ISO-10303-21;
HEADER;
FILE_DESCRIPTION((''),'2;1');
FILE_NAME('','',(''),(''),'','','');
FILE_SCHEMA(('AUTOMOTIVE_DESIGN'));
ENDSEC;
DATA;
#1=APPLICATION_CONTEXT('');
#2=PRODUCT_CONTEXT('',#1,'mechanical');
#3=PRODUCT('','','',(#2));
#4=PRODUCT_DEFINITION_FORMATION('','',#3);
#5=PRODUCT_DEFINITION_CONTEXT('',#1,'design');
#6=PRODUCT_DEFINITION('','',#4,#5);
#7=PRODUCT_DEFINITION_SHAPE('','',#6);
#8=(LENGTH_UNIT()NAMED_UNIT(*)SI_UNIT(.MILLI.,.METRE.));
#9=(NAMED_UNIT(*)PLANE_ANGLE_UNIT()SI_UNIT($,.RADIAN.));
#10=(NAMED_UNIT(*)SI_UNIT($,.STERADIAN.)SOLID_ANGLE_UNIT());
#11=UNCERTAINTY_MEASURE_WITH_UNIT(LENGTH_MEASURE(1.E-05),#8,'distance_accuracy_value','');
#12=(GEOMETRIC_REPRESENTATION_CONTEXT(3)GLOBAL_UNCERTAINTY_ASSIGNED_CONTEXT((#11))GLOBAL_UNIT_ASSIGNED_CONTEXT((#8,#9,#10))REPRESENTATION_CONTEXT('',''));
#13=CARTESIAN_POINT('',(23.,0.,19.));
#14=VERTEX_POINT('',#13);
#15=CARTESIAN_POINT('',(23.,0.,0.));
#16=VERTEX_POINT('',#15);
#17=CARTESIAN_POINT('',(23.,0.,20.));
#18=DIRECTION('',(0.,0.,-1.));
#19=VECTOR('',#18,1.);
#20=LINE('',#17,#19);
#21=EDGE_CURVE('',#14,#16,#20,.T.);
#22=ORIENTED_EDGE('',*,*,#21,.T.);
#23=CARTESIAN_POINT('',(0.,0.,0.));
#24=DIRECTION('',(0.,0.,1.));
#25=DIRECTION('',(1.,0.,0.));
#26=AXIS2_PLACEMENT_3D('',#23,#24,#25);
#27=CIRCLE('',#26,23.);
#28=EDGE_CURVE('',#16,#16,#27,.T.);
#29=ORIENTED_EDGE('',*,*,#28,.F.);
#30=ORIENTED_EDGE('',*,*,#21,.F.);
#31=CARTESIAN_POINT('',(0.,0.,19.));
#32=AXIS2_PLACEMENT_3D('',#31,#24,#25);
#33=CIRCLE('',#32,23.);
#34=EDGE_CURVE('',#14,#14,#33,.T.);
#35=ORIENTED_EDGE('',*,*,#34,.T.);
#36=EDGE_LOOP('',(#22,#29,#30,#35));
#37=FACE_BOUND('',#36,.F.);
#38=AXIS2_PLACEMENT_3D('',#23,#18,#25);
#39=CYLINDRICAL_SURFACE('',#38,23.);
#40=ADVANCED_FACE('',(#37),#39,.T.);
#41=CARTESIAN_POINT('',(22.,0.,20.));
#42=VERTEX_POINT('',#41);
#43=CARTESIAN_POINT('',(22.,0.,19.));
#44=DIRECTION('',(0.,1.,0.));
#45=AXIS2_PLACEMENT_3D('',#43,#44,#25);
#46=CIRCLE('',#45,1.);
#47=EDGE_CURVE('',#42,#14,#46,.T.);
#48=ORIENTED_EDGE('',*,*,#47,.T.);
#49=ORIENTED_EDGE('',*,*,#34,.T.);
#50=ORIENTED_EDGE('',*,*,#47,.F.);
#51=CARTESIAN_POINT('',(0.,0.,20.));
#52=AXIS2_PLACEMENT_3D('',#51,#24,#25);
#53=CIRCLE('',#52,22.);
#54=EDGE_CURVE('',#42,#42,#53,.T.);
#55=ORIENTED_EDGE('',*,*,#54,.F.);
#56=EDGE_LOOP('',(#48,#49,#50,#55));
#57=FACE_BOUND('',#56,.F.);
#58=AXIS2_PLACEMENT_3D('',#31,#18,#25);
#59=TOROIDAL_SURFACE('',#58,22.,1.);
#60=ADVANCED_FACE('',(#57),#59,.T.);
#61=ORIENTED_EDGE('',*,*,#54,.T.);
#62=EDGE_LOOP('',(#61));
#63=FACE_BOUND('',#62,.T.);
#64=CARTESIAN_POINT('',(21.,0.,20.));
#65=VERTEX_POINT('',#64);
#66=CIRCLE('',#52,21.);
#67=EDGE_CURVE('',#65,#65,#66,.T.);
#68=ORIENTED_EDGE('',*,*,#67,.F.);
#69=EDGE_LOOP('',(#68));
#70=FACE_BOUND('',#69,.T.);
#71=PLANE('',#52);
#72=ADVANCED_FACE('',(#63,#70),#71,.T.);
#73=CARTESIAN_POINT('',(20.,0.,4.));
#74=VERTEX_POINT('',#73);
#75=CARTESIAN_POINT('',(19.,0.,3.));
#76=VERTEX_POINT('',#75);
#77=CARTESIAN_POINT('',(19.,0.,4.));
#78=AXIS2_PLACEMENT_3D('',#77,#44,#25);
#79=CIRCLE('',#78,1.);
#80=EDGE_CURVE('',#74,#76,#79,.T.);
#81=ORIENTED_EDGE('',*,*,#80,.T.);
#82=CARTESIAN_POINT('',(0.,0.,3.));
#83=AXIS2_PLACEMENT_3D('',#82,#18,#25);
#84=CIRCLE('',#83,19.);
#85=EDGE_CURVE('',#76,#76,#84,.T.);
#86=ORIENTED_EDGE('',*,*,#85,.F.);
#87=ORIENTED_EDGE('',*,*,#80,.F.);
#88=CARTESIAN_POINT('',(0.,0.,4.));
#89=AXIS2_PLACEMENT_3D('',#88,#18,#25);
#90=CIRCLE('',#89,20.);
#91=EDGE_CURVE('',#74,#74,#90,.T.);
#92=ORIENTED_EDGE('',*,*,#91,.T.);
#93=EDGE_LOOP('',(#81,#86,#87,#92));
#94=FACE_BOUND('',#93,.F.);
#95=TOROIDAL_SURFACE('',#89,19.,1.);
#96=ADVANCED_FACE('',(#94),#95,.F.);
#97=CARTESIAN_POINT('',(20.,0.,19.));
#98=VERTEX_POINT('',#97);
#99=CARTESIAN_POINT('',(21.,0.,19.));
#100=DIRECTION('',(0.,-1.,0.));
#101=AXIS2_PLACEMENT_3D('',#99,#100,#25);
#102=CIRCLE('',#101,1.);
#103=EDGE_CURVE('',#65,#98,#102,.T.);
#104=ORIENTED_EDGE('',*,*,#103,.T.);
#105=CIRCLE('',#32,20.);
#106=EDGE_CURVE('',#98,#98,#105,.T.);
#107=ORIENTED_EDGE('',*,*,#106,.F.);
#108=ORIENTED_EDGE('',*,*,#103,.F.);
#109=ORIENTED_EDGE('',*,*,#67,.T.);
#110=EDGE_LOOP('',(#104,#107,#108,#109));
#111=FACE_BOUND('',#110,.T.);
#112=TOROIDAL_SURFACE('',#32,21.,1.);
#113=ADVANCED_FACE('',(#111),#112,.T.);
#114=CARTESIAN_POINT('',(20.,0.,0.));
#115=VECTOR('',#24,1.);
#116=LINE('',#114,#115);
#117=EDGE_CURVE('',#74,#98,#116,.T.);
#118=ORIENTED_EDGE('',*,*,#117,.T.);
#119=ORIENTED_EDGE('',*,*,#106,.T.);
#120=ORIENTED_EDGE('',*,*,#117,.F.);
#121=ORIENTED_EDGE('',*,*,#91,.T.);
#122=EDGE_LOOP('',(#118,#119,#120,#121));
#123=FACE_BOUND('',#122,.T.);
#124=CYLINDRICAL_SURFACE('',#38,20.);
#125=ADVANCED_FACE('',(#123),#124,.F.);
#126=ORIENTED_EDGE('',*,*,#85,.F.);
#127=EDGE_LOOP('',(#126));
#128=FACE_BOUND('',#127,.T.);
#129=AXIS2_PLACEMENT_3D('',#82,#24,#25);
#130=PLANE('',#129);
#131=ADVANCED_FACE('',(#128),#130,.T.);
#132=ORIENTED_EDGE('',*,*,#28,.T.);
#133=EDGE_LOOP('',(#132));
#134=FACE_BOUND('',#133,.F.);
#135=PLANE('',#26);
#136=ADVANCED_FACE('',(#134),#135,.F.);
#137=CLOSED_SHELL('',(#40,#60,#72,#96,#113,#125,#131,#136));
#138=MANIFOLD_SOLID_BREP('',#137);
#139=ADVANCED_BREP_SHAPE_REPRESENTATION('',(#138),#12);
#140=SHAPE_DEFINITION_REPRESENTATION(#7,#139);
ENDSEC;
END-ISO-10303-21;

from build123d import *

# Parameters (mm, degrees)
F0_R     = 23
F0_R_2   = 20
F1_DEPTH = 20
F2_R     = 23
F3_DEPTH = 3
F4_R     = 1
F5_R     = 1
F6_R     = 1


with BuildPart() as f1:
    # F0 (on Top) → F1 (new body)
    with BuildSketch(Plane.XY):
        Circle(F0_R)
        Circle(F0_R_2, mode=Mode.SUBTRACT)
    extrude(amount=F1_DEPTH)

    # F2 (on Top) → F3 (join)
    with BuildSketch(Plane.XY):
        Circle(F2_R)
    extrude(amount=F3_DEPTH)

    # F4
    f4_edges = [f1.edges().sort_by_distance(p)[0] for p in [
        (-20, 0, 20),
    ]]
    fillet(f4_edges, radius=F4_R)

    # F5
    f5_edges = [f1.edges().sort_by_distance(p)[0] for p in [
        (-23, 0, 20),
    ]]
    fillet(f5_edges, radius=F5_R)

    # F6
    f6_edges = [f1.edges().sort_by_distance(p)[0] for p in [
        (-20, 0, 3),
    ]]
    fillet(f6_edges, radius=F6_R)


solid = f1.part
